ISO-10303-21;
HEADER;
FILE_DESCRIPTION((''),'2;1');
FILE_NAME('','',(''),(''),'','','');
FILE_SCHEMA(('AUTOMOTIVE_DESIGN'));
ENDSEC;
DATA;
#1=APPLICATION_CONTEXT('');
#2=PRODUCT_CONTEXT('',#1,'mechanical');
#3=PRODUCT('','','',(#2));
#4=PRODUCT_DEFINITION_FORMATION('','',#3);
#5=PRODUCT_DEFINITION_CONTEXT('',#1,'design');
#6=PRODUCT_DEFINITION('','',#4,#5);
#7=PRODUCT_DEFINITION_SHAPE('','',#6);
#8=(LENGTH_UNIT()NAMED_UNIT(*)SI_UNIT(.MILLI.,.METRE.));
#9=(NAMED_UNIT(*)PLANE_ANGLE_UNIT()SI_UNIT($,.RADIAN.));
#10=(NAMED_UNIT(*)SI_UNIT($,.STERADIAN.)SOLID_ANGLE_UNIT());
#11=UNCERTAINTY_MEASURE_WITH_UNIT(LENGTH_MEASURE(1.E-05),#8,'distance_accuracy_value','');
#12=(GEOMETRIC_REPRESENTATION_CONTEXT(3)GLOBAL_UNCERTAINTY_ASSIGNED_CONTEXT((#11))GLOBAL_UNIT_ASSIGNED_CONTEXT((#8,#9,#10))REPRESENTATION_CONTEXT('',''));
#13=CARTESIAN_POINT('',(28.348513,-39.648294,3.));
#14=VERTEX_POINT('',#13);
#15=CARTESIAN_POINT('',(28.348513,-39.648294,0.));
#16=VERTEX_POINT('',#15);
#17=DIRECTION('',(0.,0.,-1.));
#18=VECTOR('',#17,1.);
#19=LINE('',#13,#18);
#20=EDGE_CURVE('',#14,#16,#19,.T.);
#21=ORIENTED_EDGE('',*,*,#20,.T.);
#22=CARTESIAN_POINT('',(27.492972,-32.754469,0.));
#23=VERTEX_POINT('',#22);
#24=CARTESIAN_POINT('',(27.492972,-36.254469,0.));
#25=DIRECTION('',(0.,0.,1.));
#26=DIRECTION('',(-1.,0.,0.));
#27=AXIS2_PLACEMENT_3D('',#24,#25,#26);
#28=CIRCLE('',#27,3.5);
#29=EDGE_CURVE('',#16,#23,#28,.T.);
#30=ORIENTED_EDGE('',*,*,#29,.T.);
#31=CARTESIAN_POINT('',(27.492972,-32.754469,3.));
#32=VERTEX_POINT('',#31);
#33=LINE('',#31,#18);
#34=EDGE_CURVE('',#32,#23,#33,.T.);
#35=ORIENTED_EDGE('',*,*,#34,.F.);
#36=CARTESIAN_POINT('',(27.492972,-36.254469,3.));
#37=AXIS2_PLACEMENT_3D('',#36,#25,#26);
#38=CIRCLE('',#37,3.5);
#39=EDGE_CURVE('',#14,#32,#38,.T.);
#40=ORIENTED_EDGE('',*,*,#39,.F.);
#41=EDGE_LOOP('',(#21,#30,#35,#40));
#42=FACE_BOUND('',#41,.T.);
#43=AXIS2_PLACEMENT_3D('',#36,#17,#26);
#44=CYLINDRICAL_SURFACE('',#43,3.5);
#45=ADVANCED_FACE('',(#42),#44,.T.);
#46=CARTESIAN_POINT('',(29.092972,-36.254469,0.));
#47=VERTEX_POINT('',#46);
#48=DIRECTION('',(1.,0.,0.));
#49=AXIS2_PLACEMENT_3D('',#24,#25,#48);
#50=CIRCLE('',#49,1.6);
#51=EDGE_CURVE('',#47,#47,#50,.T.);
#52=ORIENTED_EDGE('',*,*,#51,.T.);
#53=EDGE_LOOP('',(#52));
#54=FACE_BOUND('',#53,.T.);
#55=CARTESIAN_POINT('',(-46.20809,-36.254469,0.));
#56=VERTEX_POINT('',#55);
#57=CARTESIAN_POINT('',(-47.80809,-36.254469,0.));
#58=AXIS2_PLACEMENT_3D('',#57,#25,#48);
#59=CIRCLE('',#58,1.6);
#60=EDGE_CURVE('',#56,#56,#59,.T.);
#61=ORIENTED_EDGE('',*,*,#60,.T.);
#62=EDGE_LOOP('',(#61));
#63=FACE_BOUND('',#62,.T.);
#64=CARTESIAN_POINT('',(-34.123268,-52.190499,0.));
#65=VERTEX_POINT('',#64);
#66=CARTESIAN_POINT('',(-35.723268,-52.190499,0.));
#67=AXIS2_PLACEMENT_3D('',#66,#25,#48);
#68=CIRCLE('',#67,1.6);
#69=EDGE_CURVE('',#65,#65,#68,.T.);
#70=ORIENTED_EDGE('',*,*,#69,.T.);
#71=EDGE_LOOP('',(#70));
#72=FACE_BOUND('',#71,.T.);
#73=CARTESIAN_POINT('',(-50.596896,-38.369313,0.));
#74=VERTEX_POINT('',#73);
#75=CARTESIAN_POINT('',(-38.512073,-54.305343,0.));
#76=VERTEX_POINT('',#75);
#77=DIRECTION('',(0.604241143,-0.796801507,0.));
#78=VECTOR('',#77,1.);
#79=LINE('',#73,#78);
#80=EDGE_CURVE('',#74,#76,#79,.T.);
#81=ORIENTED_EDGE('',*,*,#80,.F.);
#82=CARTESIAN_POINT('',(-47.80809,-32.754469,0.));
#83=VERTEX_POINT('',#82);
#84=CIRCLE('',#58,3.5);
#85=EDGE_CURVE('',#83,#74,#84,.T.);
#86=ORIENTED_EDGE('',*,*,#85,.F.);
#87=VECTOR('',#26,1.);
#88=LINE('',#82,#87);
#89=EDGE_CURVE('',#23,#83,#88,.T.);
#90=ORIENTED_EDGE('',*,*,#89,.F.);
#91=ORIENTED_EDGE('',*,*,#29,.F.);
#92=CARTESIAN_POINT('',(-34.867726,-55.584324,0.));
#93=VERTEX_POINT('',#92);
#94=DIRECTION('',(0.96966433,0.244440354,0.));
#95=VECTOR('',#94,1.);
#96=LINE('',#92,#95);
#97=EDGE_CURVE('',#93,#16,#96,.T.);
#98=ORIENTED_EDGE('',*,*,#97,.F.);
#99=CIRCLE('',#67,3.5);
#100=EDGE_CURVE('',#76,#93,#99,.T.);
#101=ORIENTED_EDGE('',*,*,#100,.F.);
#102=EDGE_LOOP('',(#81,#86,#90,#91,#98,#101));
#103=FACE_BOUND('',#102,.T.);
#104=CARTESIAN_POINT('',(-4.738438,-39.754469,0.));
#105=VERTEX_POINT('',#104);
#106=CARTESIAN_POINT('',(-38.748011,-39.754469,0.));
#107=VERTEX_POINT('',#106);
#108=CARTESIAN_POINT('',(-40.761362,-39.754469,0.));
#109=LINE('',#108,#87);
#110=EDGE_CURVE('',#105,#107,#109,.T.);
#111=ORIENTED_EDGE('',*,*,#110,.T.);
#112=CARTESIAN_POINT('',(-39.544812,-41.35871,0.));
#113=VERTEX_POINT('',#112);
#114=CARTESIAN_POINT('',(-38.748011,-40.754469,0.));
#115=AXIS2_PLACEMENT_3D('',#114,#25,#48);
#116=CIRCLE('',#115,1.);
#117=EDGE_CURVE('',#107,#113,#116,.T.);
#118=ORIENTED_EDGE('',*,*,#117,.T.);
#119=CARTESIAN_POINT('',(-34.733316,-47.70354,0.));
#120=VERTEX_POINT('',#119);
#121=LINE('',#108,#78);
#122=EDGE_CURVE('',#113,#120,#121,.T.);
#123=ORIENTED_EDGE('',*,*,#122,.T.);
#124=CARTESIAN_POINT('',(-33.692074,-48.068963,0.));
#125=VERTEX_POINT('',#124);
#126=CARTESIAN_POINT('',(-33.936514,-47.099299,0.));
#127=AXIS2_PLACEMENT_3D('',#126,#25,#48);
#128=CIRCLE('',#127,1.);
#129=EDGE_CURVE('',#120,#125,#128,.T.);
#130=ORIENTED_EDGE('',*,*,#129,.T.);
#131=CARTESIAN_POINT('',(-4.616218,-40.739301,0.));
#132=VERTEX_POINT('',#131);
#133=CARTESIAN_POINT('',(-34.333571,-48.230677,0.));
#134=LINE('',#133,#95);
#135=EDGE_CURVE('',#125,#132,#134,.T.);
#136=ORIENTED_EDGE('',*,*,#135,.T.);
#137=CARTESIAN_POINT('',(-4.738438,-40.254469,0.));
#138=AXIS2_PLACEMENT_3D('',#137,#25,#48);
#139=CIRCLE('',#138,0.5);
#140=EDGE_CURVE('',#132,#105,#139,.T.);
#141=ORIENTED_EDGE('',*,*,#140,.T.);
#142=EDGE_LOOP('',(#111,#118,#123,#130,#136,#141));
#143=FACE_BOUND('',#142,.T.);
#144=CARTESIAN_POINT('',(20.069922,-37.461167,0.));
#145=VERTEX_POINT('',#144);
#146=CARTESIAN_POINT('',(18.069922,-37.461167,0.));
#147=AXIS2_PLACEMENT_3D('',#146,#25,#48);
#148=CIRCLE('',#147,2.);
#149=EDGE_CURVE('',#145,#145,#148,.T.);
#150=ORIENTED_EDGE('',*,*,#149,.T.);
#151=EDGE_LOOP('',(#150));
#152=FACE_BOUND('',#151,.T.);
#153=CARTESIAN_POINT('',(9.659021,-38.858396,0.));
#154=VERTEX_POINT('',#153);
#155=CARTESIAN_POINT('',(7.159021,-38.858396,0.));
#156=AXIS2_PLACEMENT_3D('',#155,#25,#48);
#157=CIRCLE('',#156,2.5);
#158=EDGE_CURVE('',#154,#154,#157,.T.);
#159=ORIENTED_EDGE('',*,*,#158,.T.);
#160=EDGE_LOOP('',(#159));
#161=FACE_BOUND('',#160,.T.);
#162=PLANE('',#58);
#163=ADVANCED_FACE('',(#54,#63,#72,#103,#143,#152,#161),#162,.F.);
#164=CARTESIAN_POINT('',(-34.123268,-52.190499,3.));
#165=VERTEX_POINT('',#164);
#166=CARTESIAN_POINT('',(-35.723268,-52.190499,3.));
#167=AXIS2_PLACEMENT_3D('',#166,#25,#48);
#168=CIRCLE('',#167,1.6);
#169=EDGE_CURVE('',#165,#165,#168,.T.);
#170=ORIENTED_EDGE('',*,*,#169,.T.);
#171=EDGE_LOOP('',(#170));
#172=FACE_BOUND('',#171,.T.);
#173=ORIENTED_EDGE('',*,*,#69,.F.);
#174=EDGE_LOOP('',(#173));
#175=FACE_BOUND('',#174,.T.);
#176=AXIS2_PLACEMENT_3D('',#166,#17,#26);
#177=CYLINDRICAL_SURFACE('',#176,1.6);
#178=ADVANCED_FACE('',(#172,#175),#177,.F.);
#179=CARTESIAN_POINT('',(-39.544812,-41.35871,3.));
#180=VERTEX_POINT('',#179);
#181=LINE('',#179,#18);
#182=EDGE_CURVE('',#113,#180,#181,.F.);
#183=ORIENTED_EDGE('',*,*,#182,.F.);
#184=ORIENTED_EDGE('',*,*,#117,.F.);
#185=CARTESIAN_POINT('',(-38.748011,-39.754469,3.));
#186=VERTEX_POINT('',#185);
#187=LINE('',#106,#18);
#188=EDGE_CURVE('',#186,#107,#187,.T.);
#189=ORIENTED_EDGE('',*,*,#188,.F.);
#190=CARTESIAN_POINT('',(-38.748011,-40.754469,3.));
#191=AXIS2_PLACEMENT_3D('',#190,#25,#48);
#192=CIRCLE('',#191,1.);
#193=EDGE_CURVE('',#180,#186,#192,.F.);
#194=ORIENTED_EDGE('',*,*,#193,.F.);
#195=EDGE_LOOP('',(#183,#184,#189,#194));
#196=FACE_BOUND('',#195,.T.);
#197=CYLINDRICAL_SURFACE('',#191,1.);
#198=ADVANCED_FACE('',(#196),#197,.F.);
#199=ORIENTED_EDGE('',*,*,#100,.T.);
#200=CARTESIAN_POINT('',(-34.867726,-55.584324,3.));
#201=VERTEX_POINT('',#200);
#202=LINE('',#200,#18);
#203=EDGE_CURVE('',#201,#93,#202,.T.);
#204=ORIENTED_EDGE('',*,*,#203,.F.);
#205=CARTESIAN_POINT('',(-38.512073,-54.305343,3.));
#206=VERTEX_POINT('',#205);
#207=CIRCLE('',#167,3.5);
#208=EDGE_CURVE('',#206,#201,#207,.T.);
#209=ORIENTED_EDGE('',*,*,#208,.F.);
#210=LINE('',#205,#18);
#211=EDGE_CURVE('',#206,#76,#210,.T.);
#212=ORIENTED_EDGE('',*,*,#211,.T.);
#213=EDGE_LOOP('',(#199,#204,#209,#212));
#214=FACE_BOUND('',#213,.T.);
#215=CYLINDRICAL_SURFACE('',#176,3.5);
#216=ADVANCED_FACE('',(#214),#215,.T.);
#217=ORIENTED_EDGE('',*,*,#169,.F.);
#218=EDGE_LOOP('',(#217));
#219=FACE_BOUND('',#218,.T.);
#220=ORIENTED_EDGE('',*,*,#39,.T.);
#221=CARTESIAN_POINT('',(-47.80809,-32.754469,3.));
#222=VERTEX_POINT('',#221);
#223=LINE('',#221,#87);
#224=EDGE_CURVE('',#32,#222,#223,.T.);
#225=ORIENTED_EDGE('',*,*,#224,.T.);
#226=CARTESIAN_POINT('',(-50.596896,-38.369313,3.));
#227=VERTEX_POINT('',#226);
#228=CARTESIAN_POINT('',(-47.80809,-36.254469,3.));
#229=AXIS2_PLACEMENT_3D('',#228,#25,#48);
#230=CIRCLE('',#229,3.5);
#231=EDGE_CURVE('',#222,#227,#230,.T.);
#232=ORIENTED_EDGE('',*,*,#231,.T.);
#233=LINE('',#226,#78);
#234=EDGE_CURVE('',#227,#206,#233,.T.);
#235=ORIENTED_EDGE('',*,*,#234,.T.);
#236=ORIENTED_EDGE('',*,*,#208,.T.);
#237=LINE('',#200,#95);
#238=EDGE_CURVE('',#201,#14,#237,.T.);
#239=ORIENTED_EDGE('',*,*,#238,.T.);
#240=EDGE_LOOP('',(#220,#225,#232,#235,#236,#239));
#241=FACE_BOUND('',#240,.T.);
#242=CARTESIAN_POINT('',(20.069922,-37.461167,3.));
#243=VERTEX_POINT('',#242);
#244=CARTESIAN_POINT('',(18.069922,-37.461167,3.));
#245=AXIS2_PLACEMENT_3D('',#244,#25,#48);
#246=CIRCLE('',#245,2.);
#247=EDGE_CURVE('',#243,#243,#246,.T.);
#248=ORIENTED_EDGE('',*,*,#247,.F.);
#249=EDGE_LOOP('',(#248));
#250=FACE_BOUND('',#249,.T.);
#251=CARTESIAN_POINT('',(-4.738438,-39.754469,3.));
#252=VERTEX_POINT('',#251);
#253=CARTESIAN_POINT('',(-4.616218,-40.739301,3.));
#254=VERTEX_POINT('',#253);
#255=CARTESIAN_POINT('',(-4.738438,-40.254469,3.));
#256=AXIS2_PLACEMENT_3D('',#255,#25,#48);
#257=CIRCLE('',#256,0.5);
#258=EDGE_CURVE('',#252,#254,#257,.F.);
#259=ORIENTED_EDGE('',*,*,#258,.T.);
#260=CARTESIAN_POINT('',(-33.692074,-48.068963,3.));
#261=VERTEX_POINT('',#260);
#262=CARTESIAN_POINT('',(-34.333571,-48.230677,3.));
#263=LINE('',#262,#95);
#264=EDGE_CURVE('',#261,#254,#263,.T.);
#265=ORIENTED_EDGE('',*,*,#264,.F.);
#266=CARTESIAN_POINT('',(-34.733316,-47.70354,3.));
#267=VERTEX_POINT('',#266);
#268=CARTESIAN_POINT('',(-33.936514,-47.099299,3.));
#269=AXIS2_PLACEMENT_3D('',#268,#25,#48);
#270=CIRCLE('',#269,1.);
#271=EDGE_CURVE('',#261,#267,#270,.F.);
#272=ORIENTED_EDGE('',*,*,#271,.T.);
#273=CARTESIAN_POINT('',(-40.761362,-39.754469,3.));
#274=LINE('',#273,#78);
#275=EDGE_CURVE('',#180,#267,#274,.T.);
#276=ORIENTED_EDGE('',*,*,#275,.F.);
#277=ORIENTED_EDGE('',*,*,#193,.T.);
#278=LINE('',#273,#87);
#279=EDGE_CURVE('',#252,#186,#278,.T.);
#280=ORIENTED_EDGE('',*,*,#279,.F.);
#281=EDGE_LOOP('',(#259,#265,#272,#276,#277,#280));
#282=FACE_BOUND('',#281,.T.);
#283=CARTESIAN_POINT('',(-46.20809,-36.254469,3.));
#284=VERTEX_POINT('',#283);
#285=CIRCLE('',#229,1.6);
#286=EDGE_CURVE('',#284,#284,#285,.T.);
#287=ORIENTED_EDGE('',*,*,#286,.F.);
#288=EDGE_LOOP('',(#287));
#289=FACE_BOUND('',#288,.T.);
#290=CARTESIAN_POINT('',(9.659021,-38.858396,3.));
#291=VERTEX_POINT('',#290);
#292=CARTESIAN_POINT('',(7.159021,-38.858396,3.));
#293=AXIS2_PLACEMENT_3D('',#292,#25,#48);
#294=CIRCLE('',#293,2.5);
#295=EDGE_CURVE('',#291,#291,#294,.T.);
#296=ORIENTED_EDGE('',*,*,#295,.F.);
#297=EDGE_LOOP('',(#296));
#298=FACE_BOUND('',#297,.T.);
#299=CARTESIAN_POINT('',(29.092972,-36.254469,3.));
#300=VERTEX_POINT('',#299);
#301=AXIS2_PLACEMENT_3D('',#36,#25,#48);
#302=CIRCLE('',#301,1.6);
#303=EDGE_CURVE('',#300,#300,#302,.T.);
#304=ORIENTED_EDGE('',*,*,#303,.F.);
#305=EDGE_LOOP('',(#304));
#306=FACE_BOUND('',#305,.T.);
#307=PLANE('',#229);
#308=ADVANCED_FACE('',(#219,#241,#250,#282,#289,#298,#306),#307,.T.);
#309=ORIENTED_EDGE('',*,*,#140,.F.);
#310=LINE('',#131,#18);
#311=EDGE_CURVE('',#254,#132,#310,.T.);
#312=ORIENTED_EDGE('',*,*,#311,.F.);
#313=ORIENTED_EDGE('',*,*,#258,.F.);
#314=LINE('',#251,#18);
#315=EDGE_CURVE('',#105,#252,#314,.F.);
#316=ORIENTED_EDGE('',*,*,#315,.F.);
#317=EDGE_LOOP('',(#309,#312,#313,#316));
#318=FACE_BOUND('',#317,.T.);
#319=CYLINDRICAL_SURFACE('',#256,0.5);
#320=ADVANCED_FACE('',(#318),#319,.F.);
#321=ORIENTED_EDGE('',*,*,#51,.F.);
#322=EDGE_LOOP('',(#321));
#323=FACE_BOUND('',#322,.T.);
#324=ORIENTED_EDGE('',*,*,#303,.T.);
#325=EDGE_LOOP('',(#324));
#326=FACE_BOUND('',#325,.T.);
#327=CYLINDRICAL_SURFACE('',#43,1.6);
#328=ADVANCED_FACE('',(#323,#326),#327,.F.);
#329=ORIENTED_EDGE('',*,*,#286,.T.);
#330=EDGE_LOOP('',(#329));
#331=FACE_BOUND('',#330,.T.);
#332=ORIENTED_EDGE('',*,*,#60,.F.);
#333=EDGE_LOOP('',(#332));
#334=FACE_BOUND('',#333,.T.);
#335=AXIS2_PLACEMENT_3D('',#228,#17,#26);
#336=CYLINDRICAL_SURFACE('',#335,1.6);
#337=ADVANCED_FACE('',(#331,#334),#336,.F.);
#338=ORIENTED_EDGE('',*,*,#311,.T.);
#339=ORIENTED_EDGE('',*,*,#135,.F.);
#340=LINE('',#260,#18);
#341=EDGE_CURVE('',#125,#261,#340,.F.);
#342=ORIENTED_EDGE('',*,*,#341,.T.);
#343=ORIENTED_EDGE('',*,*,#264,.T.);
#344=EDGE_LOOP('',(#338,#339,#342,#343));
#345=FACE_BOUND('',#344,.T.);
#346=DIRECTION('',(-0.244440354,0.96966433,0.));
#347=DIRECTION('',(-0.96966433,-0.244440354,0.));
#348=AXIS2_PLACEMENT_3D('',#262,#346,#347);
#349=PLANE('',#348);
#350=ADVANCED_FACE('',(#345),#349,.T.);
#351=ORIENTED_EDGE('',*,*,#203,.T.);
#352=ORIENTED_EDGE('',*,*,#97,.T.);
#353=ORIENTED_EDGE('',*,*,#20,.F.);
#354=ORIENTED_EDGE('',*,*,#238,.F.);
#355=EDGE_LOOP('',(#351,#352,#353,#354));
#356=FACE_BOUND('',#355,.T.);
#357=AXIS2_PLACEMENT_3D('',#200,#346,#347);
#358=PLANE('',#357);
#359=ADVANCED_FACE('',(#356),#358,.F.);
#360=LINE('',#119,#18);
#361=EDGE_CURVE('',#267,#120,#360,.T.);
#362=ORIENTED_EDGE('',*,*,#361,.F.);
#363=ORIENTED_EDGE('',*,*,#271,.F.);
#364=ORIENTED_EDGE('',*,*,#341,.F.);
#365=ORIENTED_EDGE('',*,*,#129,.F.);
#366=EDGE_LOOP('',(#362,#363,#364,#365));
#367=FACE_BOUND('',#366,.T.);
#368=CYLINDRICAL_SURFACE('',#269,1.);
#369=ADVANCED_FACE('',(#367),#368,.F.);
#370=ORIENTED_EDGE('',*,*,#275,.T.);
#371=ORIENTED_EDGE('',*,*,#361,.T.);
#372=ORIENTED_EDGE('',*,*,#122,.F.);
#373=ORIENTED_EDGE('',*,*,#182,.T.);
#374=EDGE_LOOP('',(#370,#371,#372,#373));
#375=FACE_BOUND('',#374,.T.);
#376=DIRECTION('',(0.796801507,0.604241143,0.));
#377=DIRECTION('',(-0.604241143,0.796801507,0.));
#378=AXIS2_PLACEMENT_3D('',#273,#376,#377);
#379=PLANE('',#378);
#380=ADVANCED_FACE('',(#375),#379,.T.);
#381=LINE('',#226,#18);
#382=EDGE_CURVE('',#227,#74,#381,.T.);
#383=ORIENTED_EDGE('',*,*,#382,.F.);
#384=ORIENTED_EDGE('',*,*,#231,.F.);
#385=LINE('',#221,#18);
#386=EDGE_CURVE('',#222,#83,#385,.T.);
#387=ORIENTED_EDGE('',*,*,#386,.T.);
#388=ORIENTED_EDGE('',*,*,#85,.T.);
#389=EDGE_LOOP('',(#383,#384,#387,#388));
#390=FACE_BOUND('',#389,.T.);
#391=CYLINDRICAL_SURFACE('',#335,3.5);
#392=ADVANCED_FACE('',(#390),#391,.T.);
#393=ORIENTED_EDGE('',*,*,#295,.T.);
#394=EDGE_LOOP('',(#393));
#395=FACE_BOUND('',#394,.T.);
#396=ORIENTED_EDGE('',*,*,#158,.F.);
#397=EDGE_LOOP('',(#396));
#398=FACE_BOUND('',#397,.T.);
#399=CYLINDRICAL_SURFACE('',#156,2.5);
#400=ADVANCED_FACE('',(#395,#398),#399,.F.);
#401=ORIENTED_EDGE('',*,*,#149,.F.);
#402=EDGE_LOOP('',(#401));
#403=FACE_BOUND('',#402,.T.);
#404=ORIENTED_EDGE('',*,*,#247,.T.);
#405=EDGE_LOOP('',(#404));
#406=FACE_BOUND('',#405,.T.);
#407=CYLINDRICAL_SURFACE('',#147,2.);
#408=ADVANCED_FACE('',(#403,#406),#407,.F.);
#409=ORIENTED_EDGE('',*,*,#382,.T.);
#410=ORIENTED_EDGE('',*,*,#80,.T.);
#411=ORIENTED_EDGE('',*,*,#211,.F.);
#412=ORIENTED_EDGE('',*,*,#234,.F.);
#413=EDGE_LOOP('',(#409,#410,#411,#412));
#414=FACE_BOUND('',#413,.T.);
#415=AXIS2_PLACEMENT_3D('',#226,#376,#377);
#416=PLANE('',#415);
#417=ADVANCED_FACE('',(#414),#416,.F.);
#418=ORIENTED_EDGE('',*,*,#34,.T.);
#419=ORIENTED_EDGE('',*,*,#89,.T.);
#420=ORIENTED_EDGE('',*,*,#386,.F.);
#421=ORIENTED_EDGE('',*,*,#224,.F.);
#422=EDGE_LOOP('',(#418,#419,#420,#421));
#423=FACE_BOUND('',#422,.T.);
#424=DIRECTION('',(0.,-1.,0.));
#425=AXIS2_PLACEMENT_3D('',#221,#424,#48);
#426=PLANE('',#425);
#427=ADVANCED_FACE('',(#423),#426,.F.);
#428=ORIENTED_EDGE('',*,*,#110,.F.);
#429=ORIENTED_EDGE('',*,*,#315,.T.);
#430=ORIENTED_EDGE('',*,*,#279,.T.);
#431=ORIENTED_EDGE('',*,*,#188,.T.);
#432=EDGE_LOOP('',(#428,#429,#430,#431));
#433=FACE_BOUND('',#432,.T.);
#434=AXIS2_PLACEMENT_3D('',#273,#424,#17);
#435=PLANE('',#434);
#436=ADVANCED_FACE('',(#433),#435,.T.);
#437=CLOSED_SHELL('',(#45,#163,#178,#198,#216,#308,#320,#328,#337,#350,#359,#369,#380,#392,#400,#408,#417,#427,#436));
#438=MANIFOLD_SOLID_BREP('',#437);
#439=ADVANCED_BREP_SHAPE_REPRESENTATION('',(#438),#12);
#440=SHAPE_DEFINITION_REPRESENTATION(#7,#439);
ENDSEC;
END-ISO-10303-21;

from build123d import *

# Parameters (mm, degrees)
SKETCH_1_R          = 1.6
EXTRUDE_1_DEPTH     = 3
FILLET_1_R          = 0.5
FILLET_2_R          = 1
SKETCH_2_R          = 2.5
SKETCH_2_R_2        = 2
CUT_EXTRUDE_1_DEPTH = 76.782265655


with BuildPart() as part:
    # ｽｹｯﾁ1 → ﾎﾞｽ - 押し出し1 (new body)
    with BuildSketch(Plane.XY):
        with BuildLine():
            Line((-47.808090415, -32.754468565), (27.492971995, -32.754468565))
            ThreePointArc((27.492971995, -32.754468565), (30.96632686, -35.823416389), (28.348513235, -39.64829372))
            Line((28.348513235, -39.64829372), (-34.86772632, -55.584323858))
            ThreePointArc((-34.86772632, -55.584323858), (-36.882286825, -55.493024152), (-38.512072834, -54.305342702))
            Line((-38.512072834, -54.305342702), (-50.596895689, -38.369312564))
            ThreePointArc((-50.596895689, -38.369312564), (-50.942731861, -34.697541141), (-47.808090415, -32.754468565))
        make_face()
        with Locations((-47.808090415, -36.254468565)):
            Circle(SKETCH_1_R, mode=Mode.SUBTRACT)
        with Locations((27.492971995, -36.254468565)):
            Circle(SKETCH_1_R, mode=Mode.SUBTRACT)
        with Locations((-35.72326756, -52.190498703)):
            Circle(SKETCH_1_R, mode=Mode.SUBTRACT)
        Polygon((-40.761361774, -39.754468565), (-0.709511909, -39.754468565), (-34.333570517, -48.230676816), align=None, mode=Mode.SUBTRACT)
    extrude(amount=EXTRUDE_1_DEPTH)

    # ﾌｨﾚｯﾄ1
    fillet_1_edges = [part.edges().sort_by_distance(p)[0] for p in [
        (-0.709511909, -39.754468565, 1.5),
    ]]
    fillet(fillet_1_edges, radius=FILLET_1_R)

    # ﾌｨﾚｯﾄ2
    fillet_2_edges = [part.edges().sort_by_distance(p)[0] for p in [
        (-40.761361774, -39.754468565, 1.5),
        (-34.333570517, -48.230676816, 1.5),
    ]]
    fillet(fillet_2_edges, radius=FILLET_2_R)

    # ｽｹｯﾁ2 → ｶｯﾄ - 押し出し1 (cut, through all)
    with BuildSketch(Plane.XY.offset(3)):
        with Locations((7.159021017, -38.858395913)):
            Circle(SKETCH_2_R)
        with Locations((18.069921542, -37.461166604)):
            Circle(SKETCH_2_R_2)
    extrude(amount=-CUT_EXTRUDE_1_DEPTH, mode=Mode.SUBTRACT)


solid = part.part
